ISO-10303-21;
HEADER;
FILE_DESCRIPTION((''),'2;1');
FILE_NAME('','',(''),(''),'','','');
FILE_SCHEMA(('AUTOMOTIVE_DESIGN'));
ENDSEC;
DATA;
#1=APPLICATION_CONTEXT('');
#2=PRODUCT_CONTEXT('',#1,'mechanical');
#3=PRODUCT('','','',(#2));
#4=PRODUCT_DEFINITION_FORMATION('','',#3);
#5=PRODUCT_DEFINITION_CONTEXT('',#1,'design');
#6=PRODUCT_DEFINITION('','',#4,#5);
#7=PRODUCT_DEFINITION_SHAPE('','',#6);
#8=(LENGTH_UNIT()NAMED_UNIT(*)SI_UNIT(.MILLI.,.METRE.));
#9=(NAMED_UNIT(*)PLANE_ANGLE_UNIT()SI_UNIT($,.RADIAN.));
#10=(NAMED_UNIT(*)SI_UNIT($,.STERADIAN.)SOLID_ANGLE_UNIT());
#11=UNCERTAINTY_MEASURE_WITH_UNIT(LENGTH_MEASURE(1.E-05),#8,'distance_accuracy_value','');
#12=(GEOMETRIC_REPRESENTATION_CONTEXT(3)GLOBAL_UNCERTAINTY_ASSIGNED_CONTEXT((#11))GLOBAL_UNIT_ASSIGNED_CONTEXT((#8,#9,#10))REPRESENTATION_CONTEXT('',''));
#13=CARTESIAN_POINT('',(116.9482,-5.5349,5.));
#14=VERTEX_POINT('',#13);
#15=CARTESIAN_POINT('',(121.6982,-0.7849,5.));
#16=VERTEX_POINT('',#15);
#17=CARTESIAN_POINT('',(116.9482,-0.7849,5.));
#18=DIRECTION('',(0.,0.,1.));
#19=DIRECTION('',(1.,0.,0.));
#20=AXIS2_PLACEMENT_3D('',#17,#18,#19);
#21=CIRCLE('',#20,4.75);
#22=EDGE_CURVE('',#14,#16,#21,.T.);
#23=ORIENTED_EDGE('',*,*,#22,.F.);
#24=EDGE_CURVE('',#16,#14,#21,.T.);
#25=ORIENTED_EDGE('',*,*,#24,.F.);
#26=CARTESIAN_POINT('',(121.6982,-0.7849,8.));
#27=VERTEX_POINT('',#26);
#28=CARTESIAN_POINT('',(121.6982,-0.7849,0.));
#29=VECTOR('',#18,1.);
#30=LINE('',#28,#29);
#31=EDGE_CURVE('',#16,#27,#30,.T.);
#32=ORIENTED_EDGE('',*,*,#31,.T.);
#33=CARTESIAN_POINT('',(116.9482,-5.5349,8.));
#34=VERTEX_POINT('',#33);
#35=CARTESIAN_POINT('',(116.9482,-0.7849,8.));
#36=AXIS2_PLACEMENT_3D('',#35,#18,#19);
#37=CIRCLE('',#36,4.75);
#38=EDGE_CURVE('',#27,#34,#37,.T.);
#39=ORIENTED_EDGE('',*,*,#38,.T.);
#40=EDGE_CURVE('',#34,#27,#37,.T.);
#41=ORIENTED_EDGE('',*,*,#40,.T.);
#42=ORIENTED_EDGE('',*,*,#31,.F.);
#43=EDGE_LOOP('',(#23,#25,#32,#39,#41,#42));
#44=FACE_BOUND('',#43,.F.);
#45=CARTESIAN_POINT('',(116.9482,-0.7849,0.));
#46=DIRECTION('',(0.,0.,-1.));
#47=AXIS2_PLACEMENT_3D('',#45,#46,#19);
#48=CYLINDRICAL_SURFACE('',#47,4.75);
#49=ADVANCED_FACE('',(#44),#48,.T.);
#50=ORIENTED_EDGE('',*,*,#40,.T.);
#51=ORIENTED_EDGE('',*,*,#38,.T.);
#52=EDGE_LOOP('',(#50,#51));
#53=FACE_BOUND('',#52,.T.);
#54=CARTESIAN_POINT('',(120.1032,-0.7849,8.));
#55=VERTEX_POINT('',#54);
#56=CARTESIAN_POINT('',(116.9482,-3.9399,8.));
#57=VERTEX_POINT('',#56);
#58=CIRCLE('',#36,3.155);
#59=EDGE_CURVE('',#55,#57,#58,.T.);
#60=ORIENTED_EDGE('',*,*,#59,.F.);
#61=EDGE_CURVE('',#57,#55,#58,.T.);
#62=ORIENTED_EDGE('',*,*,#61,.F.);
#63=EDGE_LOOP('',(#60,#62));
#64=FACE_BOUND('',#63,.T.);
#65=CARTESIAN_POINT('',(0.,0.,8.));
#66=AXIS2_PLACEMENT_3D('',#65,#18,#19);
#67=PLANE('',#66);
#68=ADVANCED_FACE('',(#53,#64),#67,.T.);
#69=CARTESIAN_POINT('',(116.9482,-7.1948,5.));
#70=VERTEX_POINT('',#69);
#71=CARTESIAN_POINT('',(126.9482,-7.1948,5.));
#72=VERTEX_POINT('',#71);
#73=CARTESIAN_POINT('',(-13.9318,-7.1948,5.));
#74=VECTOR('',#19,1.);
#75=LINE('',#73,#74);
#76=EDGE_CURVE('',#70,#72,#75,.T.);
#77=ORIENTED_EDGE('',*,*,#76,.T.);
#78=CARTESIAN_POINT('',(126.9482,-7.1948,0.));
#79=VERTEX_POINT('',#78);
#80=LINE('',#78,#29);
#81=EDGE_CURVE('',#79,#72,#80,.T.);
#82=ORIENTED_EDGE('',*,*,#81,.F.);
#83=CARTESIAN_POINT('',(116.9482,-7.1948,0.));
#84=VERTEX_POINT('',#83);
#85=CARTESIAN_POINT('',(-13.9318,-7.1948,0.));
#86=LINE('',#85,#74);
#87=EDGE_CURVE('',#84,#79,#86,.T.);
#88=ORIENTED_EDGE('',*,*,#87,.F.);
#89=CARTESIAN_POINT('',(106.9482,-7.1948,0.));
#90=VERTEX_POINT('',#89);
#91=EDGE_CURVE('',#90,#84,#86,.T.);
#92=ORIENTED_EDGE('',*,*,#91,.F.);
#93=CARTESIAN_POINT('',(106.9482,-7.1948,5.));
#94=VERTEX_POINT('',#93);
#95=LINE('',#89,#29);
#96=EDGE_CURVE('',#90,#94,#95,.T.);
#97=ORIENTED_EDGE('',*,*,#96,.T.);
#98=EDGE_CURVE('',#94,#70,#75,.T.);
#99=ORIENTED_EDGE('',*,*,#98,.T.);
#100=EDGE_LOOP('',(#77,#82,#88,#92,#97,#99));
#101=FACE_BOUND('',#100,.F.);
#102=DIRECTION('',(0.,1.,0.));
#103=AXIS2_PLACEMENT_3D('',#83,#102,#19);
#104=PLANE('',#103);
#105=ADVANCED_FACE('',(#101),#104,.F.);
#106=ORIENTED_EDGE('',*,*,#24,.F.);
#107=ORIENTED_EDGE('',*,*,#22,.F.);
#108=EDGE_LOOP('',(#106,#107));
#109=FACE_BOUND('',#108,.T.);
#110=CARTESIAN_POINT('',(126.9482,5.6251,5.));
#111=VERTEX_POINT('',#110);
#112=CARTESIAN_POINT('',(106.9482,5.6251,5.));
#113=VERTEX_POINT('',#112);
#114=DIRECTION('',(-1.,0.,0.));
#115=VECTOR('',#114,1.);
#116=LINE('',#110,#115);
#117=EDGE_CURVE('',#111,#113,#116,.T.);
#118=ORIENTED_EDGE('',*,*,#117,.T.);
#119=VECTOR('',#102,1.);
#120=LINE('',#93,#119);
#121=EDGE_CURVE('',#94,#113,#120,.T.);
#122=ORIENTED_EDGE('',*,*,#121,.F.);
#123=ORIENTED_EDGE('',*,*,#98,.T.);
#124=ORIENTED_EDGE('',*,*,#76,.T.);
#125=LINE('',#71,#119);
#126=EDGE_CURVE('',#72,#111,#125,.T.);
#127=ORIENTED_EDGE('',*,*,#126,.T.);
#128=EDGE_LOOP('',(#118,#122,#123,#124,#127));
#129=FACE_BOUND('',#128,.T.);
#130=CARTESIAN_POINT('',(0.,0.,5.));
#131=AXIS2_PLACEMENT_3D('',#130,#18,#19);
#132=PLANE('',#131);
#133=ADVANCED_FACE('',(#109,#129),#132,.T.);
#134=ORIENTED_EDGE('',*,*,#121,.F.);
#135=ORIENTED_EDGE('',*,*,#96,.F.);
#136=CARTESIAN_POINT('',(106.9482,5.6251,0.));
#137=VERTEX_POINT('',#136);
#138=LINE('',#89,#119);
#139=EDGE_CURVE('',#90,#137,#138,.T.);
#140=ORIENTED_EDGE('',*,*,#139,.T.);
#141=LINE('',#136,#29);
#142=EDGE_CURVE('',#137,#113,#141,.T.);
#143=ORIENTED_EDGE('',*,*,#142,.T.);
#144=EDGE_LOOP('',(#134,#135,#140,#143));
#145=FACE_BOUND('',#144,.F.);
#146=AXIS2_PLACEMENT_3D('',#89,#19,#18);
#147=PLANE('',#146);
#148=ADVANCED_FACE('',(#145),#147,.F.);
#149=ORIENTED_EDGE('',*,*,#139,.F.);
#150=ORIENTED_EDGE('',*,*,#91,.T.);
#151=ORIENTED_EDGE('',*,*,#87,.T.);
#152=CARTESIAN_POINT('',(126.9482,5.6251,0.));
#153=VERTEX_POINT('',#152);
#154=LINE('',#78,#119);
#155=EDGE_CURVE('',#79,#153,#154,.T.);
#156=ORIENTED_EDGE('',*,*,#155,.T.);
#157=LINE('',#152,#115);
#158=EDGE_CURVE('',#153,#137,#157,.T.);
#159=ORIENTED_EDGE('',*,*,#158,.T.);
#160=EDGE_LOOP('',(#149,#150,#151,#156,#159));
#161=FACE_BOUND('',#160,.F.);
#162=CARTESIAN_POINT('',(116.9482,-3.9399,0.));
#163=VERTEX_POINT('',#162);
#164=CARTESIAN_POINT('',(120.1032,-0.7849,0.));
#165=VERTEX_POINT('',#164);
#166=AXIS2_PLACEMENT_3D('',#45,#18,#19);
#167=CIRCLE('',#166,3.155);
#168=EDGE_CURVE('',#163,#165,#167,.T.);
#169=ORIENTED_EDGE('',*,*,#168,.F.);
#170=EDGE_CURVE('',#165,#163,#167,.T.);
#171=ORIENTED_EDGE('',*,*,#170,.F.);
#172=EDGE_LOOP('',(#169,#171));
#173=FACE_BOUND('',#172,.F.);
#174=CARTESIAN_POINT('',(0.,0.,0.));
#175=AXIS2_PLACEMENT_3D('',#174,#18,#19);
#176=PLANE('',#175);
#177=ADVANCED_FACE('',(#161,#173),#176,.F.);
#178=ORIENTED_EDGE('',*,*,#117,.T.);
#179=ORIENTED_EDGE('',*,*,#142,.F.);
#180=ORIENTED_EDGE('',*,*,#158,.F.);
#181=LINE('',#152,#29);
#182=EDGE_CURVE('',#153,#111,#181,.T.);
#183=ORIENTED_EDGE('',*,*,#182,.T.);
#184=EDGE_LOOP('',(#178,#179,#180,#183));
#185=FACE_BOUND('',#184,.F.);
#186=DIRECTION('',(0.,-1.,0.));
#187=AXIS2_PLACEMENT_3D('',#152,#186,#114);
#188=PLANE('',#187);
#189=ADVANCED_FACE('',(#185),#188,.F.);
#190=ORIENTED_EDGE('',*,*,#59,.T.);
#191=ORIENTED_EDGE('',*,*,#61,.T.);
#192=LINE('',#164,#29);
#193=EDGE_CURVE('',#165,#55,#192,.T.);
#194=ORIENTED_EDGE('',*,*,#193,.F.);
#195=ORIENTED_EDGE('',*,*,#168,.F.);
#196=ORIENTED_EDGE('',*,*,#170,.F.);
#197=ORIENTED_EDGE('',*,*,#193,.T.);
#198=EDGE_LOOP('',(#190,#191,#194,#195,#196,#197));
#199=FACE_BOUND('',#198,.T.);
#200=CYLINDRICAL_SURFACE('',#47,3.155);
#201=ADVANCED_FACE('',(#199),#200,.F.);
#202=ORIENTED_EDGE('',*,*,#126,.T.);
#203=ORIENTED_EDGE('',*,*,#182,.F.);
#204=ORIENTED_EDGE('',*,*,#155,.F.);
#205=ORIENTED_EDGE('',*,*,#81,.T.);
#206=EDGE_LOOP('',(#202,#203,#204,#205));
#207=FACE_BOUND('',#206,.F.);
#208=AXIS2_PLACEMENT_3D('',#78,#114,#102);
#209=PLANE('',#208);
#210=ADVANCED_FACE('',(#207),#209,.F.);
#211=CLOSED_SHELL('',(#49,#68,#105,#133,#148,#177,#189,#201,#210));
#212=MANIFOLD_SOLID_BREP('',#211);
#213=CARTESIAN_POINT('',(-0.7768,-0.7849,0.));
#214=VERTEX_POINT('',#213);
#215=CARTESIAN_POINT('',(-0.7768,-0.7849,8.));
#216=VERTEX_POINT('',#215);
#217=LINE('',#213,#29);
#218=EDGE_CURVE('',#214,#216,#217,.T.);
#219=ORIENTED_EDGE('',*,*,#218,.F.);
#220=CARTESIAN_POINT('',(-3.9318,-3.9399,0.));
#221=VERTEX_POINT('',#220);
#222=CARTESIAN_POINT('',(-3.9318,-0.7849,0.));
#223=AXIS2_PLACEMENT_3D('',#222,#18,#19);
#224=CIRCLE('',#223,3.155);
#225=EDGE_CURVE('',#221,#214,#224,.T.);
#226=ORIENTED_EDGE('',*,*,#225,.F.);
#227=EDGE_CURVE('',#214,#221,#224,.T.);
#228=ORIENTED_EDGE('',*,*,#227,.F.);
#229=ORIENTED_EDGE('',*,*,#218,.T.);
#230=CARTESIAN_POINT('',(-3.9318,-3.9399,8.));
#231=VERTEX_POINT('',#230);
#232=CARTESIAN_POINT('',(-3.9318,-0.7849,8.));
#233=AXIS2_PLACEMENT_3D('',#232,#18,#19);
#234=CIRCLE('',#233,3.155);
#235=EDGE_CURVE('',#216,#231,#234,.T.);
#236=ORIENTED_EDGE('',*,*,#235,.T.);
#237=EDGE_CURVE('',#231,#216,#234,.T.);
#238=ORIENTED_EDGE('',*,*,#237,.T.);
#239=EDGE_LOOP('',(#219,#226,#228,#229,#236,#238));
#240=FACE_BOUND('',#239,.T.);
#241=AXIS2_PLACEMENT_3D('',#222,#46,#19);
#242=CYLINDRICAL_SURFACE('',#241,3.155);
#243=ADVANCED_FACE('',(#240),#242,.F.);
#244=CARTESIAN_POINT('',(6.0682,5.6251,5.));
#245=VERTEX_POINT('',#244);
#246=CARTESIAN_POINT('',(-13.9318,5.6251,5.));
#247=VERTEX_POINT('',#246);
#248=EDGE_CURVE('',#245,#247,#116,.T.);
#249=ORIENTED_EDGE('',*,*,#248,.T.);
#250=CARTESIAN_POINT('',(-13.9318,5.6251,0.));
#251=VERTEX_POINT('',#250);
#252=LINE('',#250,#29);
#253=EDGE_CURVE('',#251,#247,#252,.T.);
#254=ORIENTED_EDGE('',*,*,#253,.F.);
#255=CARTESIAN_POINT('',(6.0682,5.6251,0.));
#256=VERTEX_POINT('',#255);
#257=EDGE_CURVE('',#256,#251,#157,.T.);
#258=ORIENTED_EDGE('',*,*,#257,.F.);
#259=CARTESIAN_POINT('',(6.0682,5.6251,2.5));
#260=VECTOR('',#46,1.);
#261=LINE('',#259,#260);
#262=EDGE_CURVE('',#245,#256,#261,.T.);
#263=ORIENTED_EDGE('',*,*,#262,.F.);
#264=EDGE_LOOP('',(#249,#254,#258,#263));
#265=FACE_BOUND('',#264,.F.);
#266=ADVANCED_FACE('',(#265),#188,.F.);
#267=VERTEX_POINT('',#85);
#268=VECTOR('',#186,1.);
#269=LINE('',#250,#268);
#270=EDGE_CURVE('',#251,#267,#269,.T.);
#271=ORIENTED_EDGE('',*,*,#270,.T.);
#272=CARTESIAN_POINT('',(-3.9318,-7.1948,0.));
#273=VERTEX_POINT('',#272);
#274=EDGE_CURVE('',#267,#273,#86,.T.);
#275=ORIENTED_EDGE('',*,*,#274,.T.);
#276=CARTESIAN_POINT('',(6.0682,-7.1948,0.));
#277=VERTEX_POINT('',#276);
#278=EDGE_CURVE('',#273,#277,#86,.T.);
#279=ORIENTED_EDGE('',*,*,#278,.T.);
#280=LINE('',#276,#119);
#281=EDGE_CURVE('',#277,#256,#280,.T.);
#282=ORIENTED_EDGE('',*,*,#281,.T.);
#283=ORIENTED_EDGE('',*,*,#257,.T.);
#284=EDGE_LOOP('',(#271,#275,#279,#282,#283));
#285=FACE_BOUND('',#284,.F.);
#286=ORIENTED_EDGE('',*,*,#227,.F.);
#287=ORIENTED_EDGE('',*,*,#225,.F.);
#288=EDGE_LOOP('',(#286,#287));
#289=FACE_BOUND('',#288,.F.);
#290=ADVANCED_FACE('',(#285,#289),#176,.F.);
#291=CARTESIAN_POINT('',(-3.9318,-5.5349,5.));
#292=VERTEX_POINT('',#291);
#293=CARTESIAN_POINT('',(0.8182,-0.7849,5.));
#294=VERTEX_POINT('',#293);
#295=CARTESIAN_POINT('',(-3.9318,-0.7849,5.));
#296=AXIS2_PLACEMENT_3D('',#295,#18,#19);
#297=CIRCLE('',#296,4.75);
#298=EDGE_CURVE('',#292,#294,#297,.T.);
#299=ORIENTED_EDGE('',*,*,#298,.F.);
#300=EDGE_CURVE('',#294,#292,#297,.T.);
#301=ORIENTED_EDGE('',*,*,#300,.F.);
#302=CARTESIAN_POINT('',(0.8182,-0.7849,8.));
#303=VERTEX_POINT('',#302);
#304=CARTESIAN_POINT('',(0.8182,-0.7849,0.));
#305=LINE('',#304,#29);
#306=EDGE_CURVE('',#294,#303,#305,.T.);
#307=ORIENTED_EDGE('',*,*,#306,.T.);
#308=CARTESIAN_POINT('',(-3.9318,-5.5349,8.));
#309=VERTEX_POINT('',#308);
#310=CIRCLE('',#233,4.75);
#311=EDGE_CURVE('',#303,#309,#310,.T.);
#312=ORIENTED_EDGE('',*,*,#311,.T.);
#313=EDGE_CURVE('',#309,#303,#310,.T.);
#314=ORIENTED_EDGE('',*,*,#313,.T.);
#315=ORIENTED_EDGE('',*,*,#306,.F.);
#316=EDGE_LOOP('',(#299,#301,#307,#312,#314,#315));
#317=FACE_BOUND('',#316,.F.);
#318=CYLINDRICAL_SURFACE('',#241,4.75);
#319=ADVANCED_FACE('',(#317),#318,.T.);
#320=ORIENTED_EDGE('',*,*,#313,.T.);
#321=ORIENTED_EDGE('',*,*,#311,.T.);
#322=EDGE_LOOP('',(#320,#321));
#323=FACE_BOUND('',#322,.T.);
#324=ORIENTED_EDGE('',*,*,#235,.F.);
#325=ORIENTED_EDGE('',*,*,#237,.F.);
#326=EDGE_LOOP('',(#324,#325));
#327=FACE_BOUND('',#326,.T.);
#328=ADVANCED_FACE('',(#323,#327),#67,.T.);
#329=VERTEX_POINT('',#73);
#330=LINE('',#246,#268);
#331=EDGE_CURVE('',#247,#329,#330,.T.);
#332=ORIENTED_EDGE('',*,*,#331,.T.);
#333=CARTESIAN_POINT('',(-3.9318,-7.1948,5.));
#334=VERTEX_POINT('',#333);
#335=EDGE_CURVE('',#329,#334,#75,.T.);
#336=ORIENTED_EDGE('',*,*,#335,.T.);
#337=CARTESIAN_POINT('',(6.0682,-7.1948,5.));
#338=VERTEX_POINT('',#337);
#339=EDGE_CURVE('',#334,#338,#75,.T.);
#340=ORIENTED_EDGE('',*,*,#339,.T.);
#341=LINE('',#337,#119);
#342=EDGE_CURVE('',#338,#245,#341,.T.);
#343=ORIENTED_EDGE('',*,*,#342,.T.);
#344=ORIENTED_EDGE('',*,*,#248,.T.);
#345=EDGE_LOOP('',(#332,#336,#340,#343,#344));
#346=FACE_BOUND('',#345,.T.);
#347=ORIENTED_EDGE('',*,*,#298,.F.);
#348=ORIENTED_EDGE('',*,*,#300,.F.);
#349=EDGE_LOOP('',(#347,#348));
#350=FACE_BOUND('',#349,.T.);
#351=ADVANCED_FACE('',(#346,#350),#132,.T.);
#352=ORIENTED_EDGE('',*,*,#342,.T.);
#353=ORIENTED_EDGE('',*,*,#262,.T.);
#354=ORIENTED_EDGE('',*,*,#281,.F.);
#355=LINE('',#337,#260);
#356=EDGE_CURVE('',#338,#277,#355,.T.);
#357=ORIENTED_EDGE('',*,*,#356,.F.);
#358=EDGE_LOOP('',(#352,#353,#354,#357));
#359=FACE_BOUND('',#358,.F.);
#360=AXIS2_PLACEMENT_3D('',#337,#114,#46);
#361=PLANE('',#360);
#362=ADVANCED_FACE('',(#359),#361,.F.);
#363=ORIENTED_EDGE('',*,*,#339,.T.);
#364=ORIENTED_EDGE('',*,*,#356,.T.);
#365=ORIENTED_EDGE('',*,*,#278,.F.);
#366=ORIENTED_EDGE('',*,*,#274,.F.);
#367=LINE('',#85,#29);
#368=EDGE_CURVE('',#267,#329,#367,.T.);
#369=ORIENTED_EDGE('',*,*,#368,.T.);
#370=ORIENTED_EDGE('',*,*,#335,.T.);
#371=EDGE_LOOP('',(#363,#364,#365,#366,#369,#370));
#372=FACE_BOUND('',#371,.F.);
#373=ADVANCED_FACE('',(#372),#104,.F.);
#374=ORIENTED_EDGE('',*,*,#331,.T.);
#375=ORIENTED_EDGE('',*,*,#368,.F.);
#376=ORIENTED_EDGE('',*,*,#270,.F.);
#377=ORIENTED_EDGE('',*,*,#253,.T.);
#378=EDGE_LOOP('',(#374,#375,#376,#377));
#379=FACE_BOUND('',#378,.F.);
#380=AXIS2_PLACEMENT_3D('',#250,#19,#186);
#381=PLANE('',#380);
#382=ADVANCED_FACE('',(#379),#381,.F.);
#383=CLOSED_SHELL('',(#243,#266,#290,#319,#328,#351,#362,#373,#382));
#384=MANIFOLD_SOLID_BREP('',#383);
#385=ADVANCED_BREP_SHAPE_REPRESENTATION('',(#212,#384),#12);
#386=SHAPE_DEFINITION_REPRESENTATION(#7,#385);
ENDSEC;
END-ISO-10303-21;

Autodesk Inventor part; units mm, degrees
ref_plane "YZ Plane" through (0, 0, 0) normal (1, 0, 0) x (0, 1, 0)
ref_plane "XZ Plane" through (0, 0, 0) normal (0, 1, 0) x (-1, 0, 0)
ref_plane "XY Plane" through (0, 0, 0) normal (0, 0, 1) x (1, 0, 0)
sketch "Boceto1" plane through (0, 0, 0) normal (0, 0, 1) x (1, 0, 0)
  line L0 (-13.9318, 5.6251) -> (-13.9318, -7.1948)
  line L1 (-13.9318, -7.1948) -> (126.9482, -7.1948)
  line L2 (126.9482, -7.1948) -> (126.9482, 5.6251)
  line L3 (126.9482, 5.6251) -> (-13.9318, 5.6251)
  line L4 (126.9482, -7.1948) -> (116.9482, -7.1948)
  line L5 (116.9482, -7.1948) -> (116.9482, -0.7849)
  circle A0 centre (116.9482, -0.7849) radius 3.155
  line L6 (-13.9318, -7.1948) -> (-3.9318, -7.1948)
  line L7 (-3.9318, -7.1948) -> (-3.9318, -0.7849)
  circle A1 centre (-3.9318, -0.7849) radius 3.155
  circle A2 centre (-3.9318, -0.7849) radius 4.75
  circle A3 centre (116.9482, -0.7849) radius 4.75
  point P0 (0, 0)
  dimension "d1" = 10
  dimension "d2" = 6.31
  dimension "d4" = 6.31
  dimension "d5" = 6.41
  dimension "d6" = 6.41
  dimension "d7" = 9.5
  dimension "d8" = 9.5
extrude "Extrusión1" add sketch "Boceto1" along normal blind 5 contours L3 L2 L1 L0
extrude "Extrusión2" add sketch "Boceto1" along normal blind 8 contours A2 | A3
sketch "Boceto2" plane through (-13.9318, -7.1948, 0) normal (0, -1, 0) x (1, 0, 0)
  line L0 (0, 0) -> (0, 5) projected
  line L1 (0, 0) -> (140.88, 0) projected
  line L2 (140.88, 0) -> (120.88, 0)
  line L3 (120.88, 0) -> (120.88, 5)
  line L4 (120.88, 5) -> (20, 5)
  line L5 (20, 5) -> (20, 0)
  point P0 (13.9318, 0)
extrude "Extrusión3" cut sketch "Boceto2" against normal through all
properties part number "palito arriba de la banda" material "PVC, no plastificado"
